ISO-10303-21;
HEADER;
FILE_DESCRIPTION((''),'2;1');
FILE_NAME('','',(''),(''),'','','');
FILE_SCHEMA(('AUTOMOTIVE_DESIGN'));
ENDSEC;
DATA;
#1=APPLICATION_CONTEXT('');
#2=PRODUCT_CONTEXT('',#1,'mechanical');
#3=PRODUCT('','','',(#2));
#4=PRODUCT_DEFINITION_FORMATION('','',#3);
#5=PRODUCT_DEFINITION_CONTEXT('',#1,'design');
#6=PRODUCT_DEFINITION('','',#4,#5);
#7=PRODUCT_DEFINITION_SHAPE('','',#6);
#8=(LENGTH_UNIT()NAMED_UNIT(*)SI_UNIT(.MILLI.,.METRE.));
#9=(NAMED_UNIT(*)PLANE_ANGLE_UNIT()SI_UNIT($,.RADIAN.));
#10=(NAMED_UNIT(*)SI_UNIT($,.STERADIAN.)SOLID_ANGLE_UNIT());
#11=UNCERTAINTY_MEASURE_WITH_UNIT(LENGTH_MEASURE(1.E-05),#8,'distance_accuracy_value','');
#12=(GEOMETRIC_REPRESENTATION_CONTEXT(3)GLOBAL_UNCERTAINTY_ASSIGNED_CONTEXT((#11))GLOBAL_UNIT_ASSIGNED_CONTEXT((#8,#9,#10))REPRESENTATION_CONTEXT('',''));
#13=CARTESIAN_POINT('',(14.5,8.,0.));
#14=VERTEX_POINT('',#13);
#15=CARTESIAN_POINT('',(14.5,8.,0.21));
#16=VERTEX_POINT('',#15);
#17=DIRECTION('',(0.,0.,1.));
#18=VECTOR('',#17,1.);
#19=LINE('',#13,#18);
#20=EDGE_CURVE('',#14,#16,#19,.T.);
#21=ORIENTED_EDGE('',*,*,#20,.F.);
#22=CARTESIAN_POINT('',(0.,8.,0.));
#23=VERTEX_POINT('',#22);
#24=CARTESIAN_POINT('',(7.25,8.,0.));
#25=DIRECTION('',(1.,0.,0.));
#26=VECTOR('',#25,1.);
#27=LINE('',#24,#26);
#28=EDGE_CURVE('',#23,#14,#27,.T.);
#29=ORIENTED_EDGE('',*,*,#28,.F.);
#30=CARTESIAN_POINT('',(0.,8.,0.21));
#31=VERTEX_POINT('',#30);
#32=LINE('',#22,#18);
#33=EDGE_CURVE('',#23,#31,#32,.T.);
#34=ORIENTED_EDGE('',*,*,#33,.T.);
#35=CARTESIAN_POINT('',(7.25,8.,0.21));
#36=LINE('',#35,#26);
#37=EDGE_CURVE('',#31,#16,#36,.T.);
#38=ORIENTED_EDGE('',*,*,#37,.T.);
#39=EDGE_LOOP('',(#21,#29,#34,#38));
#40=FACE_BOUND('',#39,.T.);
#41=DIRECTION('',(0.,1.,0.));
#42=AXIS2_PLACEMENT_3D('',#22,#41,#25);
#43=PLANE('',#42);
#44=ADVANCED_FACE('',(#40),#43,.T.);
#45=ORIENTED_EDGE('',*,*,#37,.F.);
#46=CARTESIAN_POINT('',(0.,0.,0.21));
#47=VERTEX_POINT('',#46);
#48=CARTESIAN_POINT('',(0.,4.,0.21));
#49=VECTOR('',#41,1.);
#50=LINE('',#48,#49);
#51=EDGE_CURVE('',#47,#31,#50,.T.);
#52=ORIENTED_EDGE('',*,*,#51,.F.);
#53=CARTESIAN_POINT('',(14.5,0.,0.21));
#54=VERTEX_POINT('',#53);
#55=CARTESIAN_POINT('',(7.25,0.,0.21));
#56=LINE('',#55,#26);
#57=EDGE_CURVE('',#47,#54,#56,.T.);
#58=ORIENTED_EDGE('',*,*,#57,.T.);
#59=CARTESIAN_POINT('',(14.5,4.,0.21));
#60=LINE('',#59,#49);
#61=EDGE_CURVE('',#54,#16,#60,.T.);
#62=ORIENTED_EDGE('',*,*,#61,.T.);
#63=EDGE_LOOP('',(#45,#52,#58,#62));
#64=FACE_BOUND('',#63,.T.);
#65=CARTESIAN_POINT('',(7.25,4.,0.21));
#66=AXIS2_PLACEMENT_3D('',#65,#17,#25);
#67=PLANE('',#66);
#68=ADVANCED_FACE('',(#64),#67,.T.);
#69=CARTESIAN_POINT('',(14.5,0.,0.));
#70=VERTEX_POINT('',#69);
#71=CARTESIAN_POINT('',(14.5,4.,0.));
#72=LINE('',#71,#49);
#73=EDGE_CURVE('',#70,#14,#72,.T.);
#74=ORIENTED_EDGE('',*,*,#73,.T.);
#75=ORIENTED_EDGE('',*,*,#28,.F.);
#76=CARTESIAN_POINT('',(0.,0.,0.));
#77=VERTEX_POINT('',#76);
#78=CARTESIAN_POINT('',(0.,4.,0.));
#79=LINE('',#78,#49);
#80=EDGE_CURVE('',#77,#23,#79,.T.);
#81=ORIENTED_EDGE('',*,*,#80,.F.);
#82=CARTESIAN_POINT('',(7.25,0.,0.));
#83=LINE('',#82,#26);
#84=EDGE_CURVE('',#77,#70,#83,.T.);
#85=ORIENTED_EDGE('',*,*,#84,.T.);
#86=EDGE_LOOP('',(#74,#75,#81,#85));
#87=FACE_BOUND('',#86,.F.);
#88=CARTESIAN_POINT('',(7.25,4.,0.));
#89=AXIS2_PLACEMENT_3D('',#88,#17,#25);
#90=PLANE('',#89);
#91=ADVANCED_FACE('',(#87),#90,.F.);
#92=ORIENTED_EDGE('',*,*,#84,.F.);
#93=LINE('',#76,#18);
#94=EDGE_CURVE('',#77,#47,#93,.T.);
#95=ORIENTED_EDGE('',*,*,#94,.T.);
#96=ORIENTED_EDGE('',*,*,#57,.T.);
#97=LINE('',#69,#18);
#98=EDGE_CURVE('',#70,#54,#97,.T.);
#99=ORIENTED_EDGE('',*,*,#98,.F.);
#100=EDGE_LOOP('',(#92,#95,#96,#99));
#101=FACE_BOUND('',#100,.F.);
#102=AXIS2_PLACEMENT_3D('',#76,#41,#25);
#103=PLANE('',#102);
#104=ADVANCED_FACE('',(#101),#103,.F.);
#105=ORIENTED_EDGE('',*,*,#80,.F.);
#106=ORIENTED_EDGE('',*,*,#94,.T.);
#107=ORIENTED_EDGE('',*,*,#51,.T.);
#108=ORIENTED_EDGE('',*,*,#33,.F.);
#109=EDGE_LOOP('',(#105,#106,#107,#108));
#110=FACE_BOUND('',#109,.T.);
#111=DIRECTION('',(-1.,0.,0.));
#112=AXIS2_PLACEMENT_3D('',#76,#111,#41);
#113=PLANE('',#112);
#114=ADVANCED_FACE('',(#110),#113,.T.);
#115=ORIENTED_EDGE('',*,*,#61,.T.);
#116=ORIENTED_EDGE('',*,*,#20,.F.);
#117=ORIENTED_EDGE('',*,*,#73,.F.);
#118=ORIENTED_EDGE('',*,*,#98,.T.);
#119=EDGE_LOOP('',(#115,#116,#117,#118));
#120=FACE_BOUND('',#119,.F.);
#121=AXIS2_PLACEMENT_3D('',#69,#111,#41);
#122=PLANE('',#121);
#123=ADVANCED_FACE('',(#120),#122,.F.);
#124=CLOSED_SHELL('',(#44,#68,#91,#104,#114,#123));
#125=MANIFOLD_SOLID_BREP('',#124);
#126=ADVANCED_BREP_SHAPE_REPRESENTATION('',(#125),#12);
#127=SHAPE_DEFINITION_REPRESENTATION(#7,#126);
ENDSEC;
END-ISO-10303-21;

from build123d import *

# Parameters (mm, degrees)
BOX_W     = 14.5
BOX_H     = 8
BOX_DEPTH = 0.21


with BuildPart() as part:
    # Box → Box (new body)
    with BuildSketch(Plane.XY):
        with Locations((7.25, 4)):
            Rectangle(BOX_W, BOX_H)
    extrude(amount=BOX_DEPTH)


solid = part.part
